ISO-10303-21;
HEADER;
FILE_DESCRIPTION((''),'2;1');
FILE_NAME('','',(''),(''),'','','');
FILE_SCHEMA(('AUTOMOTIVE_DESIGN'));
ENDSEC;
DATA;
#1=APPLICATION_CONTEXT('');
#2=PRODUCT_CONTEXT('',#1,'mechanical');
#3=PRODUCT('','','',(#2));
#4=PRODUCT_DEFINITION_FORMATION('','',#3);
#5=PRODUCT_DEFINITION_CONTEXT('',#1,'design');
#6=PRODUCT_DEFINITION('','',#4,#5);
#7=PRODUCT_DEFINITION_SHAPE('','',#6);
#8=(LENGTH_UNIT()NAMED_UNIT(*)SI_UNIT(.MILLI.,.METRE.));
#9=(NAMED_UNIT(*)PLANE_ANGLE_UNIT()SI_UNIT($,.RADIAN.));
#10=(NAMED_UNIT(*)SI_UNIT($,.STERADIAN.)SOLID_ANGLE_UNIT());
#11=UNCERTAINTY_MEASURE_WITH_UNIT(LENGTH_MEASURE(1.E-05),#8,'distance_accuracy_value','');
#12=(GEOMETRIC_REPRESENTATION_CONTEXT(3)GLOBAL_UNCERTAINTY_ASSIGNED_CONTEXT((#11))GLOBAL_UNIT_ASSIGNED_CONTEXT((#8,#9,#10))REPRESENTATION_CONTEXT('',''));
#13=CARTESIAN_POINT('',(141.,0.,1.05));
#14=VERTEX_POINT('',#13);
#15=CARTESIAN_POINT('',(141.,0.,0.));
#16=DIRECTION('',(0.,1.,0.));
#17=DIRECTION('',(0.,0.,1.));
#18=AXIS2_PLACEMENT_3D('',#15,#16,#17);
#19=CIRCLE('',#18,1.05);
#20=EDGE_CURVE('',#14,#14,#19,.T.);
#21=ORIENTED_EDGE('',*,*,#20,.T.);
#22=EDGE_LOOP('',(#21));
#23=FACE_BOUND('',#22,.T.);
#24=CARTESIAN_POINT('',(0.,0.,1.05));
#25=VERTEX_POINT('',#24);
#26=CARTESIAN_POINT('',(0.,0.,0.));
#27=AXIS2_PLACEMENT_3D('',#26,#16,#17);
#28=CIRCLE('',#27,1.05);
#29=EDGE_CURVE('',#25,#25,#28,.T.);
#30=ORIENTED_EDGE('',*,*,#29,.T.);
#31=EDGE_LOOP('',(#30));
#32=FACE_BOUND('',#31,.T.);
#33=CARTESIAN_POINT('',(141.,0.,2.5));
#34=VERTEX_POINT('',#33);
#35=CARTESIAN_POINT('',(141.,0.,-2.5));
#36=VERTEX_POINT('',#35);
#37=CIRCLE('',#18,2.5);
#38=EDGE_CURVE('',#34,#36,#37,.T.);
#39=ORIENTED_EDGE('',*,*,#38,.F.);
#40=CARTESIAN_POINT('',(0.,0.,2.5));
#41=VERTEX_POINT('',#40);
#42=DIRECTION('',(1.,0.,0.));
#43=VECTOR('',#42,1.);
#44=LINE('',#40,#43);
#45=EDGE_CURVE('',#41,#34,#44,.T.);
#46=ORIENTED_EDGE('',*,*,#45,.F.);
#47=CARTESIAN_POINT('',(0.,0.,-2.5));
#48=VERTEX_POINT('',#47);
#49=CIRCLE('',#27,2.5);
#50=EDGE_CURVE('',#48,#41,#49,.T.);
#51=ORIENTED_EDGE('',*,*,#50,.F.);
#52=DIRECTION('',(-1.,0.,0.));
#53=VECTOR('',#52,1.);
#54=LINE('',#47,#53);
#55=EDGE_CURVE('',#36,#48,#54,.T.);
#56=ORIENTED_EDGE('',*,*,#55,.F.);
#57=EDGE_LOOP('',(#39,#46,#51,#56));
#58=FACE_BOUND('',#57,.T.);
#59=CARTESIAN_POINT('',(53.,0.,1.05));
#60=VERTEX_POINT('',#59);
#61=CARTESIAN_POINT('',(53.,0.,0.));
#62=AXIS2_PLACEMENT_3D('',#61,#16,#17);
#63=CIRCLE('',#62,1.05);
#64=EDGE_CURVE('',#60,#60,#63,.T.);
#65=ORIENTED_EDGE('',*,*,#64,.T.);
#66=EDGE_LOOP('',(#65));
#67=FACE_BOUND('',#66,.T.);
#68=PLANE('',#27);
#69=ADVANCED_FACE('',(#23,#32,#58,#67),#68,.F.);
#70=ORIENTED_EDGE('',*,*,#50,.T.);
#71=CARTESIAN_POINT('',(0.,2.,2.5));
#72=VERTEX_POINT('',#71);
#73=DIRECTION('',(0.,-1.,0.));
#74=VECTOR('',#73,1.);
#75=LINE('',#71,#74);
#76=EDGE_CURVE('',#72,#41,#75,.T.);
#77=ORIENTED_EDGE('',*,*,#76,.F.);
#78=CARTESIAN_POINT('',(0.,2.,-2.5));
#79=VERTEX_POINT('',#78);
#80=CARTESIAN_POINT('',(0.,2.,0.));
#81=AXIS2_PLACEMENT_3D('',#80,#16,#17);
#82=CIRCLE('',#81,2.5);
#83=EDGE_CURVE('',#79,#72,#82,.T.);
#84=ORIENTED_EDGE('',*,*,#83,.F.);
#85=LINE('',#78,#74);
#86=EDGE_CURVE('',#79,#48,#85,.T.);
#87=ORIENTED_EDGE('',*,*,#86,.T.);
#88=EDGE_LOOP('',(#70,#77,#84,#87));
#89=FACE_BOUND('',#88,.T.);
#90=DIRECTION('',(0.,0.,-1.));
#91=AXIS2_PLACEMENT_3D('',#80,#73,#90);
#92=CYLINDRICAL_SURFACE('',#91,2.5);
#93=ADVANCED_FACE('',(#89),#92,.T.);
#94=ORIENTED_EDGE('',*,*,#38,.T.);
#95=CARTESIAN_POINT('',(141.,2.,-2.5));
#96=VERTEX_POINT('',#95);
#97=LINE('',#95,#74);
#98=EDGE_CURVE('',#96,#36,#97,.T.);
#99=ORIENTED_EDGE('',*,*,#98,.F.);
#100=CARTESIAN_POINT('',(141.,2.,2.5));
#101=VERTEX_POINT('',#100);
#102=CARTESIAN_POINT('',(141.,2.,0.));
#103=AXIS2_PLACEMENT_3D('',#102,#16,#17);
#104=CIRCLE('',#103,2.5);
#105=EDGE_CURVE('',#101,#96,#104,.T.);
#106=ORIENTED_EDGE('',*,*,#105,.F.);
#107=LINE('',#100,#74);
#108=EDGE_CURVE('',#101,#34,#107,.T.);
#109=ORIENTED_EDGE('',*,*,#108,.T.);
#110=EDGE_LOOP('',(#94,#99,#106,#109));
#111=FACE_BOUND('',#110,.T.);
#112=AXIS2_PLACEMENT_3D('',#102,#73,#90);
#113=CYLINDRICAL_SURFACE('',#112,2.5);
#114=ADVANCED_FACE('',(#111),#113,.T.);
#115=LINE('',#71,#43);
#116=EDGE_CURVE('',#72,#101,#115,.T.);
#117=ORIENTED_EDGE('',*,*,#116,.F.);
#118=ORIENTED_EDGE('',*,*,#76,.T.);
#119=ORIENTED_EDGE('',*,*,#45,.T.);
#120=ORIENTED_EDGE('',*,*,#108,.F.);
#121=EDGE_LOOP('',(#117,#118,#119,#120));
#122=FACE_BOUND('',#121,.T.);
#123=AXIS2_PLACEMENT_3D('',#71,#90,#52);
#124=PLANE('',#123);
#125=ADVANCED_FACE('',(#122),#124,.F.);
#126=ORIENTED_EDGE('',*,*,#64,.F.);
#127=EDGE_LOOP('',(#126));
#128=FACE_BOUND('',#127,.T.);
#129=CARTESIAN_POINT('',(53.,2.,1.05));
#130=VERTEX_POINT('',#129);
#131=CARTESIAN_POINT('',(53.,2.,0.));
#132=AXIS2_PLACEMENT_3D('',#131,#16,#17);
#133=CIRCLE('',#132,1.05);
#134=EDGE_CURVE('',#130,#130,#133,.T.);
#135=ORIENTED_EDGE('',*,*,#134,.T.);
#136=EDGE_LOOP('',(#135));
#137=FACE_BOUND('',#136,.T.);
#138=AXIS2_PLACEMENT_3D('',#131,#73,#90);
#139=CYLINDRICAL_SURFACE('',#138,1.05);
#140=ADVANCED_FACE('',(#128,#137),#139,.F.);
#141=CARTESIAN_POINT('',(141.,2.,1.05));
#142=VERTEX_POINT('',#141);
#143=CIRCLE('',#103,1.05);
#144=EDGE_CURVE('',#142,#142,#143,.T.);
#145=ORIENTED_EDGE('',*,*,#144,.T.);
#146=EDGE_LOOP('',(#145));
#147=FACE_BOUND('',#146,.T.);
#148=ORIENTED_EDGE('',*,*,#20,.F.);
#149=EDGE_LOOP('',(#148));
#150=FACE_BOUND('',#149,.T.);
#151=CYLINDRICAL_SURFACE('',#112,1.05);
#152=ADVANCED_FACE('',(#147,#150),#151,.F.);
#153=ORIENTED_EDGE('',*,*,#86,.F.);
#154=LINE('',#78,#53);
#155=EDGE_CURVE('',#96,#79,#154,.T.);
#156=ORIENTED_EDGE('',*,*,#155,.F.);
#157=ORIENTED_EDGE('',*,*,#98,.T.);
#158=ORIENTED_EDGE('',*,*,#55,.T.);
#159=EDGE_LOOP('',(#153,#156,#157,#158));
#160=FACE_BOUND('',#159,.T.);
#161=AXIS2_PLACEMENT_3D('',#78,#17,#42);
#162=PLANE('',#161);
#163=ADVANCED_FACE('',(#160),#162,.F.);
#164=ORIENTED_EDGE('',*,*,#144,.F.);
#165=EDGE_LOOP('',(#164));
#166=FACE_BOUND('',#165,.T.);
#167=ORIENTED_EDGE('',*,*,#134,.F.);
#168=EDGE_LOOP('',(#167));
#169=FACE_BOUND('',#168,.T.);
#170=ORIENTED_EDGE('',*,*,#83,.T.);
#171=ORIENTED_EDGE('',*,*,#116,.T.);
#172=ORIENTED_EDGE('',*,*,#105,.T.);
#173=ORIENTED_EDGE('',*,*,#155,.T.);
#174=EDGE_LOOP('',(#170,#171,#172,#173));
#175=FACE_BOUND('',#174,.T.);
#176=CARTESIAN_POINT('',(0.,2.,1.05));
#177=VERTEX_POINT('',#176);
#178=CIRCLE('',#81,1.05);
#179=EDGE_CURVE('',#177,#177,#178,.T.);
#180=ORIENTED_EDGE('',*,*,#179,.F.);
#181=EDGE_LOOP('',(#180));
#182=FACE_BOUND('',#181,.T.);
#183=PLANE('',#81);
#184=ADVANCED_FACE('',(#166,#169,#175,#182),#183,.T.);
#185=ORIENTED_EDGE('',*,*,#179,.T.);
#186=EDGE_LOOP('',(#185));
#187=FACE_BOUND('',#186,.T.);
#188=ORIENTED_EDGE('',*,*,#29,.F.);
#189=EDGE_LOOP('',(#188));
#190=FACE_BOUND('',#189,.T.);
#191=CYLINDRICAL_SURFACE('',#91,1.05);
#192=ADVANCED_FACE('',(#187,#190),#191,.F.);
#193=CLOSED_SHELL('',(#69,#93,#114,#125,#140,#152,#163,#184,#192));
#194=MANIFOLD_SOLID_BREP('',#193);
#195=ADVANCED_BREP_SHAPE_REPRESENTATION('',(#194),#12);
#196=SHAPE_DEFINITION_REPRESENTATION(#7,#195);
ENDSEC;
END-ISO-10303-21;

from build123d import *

# Parameters (mm, degrees)
SKETCH1_R           = 1.05
BOSS_EXTRUDE1_DEPTH = 2


with BuildPart() as part:
    # Sketch1 → Boss-Extrude1 (new body)
    with BuildSketch(Plane(origin=(0, 0, 0), x_dir=(1, 0, 0), z_dir=(0, 1, 0))):
        with BuildLine():
            Line((0, 2.5), (141, 2.5))
            ThreePointArc((141, 2.5), (143.5, 0), (141, -2.5))
            Line((141, -2.5), (0, -2.5))
            ThreePointArc((0, -2.5), (-2.5, 0), (0, 2.5))
        make_face()
        with Locations(Location((0, 0, 0), (0, 0, 270))):
            Circle(SKETCH1_R, mode=Mode.SUBTRACT)
        with Locations(Location((141, 0, 0), (0, 0, 270))):
            Circle(SKETCH1_R, mode=Mode.SUBTRACT)
        with Locations(Location((53, 0, 0), (0, 0, 270))):
            Circle(SKETCH1_R, mode=Mode.SUBTRACT)
    extrude(amount=BOSS_EXTRUDE1_DEPTH)


solid = part.part
